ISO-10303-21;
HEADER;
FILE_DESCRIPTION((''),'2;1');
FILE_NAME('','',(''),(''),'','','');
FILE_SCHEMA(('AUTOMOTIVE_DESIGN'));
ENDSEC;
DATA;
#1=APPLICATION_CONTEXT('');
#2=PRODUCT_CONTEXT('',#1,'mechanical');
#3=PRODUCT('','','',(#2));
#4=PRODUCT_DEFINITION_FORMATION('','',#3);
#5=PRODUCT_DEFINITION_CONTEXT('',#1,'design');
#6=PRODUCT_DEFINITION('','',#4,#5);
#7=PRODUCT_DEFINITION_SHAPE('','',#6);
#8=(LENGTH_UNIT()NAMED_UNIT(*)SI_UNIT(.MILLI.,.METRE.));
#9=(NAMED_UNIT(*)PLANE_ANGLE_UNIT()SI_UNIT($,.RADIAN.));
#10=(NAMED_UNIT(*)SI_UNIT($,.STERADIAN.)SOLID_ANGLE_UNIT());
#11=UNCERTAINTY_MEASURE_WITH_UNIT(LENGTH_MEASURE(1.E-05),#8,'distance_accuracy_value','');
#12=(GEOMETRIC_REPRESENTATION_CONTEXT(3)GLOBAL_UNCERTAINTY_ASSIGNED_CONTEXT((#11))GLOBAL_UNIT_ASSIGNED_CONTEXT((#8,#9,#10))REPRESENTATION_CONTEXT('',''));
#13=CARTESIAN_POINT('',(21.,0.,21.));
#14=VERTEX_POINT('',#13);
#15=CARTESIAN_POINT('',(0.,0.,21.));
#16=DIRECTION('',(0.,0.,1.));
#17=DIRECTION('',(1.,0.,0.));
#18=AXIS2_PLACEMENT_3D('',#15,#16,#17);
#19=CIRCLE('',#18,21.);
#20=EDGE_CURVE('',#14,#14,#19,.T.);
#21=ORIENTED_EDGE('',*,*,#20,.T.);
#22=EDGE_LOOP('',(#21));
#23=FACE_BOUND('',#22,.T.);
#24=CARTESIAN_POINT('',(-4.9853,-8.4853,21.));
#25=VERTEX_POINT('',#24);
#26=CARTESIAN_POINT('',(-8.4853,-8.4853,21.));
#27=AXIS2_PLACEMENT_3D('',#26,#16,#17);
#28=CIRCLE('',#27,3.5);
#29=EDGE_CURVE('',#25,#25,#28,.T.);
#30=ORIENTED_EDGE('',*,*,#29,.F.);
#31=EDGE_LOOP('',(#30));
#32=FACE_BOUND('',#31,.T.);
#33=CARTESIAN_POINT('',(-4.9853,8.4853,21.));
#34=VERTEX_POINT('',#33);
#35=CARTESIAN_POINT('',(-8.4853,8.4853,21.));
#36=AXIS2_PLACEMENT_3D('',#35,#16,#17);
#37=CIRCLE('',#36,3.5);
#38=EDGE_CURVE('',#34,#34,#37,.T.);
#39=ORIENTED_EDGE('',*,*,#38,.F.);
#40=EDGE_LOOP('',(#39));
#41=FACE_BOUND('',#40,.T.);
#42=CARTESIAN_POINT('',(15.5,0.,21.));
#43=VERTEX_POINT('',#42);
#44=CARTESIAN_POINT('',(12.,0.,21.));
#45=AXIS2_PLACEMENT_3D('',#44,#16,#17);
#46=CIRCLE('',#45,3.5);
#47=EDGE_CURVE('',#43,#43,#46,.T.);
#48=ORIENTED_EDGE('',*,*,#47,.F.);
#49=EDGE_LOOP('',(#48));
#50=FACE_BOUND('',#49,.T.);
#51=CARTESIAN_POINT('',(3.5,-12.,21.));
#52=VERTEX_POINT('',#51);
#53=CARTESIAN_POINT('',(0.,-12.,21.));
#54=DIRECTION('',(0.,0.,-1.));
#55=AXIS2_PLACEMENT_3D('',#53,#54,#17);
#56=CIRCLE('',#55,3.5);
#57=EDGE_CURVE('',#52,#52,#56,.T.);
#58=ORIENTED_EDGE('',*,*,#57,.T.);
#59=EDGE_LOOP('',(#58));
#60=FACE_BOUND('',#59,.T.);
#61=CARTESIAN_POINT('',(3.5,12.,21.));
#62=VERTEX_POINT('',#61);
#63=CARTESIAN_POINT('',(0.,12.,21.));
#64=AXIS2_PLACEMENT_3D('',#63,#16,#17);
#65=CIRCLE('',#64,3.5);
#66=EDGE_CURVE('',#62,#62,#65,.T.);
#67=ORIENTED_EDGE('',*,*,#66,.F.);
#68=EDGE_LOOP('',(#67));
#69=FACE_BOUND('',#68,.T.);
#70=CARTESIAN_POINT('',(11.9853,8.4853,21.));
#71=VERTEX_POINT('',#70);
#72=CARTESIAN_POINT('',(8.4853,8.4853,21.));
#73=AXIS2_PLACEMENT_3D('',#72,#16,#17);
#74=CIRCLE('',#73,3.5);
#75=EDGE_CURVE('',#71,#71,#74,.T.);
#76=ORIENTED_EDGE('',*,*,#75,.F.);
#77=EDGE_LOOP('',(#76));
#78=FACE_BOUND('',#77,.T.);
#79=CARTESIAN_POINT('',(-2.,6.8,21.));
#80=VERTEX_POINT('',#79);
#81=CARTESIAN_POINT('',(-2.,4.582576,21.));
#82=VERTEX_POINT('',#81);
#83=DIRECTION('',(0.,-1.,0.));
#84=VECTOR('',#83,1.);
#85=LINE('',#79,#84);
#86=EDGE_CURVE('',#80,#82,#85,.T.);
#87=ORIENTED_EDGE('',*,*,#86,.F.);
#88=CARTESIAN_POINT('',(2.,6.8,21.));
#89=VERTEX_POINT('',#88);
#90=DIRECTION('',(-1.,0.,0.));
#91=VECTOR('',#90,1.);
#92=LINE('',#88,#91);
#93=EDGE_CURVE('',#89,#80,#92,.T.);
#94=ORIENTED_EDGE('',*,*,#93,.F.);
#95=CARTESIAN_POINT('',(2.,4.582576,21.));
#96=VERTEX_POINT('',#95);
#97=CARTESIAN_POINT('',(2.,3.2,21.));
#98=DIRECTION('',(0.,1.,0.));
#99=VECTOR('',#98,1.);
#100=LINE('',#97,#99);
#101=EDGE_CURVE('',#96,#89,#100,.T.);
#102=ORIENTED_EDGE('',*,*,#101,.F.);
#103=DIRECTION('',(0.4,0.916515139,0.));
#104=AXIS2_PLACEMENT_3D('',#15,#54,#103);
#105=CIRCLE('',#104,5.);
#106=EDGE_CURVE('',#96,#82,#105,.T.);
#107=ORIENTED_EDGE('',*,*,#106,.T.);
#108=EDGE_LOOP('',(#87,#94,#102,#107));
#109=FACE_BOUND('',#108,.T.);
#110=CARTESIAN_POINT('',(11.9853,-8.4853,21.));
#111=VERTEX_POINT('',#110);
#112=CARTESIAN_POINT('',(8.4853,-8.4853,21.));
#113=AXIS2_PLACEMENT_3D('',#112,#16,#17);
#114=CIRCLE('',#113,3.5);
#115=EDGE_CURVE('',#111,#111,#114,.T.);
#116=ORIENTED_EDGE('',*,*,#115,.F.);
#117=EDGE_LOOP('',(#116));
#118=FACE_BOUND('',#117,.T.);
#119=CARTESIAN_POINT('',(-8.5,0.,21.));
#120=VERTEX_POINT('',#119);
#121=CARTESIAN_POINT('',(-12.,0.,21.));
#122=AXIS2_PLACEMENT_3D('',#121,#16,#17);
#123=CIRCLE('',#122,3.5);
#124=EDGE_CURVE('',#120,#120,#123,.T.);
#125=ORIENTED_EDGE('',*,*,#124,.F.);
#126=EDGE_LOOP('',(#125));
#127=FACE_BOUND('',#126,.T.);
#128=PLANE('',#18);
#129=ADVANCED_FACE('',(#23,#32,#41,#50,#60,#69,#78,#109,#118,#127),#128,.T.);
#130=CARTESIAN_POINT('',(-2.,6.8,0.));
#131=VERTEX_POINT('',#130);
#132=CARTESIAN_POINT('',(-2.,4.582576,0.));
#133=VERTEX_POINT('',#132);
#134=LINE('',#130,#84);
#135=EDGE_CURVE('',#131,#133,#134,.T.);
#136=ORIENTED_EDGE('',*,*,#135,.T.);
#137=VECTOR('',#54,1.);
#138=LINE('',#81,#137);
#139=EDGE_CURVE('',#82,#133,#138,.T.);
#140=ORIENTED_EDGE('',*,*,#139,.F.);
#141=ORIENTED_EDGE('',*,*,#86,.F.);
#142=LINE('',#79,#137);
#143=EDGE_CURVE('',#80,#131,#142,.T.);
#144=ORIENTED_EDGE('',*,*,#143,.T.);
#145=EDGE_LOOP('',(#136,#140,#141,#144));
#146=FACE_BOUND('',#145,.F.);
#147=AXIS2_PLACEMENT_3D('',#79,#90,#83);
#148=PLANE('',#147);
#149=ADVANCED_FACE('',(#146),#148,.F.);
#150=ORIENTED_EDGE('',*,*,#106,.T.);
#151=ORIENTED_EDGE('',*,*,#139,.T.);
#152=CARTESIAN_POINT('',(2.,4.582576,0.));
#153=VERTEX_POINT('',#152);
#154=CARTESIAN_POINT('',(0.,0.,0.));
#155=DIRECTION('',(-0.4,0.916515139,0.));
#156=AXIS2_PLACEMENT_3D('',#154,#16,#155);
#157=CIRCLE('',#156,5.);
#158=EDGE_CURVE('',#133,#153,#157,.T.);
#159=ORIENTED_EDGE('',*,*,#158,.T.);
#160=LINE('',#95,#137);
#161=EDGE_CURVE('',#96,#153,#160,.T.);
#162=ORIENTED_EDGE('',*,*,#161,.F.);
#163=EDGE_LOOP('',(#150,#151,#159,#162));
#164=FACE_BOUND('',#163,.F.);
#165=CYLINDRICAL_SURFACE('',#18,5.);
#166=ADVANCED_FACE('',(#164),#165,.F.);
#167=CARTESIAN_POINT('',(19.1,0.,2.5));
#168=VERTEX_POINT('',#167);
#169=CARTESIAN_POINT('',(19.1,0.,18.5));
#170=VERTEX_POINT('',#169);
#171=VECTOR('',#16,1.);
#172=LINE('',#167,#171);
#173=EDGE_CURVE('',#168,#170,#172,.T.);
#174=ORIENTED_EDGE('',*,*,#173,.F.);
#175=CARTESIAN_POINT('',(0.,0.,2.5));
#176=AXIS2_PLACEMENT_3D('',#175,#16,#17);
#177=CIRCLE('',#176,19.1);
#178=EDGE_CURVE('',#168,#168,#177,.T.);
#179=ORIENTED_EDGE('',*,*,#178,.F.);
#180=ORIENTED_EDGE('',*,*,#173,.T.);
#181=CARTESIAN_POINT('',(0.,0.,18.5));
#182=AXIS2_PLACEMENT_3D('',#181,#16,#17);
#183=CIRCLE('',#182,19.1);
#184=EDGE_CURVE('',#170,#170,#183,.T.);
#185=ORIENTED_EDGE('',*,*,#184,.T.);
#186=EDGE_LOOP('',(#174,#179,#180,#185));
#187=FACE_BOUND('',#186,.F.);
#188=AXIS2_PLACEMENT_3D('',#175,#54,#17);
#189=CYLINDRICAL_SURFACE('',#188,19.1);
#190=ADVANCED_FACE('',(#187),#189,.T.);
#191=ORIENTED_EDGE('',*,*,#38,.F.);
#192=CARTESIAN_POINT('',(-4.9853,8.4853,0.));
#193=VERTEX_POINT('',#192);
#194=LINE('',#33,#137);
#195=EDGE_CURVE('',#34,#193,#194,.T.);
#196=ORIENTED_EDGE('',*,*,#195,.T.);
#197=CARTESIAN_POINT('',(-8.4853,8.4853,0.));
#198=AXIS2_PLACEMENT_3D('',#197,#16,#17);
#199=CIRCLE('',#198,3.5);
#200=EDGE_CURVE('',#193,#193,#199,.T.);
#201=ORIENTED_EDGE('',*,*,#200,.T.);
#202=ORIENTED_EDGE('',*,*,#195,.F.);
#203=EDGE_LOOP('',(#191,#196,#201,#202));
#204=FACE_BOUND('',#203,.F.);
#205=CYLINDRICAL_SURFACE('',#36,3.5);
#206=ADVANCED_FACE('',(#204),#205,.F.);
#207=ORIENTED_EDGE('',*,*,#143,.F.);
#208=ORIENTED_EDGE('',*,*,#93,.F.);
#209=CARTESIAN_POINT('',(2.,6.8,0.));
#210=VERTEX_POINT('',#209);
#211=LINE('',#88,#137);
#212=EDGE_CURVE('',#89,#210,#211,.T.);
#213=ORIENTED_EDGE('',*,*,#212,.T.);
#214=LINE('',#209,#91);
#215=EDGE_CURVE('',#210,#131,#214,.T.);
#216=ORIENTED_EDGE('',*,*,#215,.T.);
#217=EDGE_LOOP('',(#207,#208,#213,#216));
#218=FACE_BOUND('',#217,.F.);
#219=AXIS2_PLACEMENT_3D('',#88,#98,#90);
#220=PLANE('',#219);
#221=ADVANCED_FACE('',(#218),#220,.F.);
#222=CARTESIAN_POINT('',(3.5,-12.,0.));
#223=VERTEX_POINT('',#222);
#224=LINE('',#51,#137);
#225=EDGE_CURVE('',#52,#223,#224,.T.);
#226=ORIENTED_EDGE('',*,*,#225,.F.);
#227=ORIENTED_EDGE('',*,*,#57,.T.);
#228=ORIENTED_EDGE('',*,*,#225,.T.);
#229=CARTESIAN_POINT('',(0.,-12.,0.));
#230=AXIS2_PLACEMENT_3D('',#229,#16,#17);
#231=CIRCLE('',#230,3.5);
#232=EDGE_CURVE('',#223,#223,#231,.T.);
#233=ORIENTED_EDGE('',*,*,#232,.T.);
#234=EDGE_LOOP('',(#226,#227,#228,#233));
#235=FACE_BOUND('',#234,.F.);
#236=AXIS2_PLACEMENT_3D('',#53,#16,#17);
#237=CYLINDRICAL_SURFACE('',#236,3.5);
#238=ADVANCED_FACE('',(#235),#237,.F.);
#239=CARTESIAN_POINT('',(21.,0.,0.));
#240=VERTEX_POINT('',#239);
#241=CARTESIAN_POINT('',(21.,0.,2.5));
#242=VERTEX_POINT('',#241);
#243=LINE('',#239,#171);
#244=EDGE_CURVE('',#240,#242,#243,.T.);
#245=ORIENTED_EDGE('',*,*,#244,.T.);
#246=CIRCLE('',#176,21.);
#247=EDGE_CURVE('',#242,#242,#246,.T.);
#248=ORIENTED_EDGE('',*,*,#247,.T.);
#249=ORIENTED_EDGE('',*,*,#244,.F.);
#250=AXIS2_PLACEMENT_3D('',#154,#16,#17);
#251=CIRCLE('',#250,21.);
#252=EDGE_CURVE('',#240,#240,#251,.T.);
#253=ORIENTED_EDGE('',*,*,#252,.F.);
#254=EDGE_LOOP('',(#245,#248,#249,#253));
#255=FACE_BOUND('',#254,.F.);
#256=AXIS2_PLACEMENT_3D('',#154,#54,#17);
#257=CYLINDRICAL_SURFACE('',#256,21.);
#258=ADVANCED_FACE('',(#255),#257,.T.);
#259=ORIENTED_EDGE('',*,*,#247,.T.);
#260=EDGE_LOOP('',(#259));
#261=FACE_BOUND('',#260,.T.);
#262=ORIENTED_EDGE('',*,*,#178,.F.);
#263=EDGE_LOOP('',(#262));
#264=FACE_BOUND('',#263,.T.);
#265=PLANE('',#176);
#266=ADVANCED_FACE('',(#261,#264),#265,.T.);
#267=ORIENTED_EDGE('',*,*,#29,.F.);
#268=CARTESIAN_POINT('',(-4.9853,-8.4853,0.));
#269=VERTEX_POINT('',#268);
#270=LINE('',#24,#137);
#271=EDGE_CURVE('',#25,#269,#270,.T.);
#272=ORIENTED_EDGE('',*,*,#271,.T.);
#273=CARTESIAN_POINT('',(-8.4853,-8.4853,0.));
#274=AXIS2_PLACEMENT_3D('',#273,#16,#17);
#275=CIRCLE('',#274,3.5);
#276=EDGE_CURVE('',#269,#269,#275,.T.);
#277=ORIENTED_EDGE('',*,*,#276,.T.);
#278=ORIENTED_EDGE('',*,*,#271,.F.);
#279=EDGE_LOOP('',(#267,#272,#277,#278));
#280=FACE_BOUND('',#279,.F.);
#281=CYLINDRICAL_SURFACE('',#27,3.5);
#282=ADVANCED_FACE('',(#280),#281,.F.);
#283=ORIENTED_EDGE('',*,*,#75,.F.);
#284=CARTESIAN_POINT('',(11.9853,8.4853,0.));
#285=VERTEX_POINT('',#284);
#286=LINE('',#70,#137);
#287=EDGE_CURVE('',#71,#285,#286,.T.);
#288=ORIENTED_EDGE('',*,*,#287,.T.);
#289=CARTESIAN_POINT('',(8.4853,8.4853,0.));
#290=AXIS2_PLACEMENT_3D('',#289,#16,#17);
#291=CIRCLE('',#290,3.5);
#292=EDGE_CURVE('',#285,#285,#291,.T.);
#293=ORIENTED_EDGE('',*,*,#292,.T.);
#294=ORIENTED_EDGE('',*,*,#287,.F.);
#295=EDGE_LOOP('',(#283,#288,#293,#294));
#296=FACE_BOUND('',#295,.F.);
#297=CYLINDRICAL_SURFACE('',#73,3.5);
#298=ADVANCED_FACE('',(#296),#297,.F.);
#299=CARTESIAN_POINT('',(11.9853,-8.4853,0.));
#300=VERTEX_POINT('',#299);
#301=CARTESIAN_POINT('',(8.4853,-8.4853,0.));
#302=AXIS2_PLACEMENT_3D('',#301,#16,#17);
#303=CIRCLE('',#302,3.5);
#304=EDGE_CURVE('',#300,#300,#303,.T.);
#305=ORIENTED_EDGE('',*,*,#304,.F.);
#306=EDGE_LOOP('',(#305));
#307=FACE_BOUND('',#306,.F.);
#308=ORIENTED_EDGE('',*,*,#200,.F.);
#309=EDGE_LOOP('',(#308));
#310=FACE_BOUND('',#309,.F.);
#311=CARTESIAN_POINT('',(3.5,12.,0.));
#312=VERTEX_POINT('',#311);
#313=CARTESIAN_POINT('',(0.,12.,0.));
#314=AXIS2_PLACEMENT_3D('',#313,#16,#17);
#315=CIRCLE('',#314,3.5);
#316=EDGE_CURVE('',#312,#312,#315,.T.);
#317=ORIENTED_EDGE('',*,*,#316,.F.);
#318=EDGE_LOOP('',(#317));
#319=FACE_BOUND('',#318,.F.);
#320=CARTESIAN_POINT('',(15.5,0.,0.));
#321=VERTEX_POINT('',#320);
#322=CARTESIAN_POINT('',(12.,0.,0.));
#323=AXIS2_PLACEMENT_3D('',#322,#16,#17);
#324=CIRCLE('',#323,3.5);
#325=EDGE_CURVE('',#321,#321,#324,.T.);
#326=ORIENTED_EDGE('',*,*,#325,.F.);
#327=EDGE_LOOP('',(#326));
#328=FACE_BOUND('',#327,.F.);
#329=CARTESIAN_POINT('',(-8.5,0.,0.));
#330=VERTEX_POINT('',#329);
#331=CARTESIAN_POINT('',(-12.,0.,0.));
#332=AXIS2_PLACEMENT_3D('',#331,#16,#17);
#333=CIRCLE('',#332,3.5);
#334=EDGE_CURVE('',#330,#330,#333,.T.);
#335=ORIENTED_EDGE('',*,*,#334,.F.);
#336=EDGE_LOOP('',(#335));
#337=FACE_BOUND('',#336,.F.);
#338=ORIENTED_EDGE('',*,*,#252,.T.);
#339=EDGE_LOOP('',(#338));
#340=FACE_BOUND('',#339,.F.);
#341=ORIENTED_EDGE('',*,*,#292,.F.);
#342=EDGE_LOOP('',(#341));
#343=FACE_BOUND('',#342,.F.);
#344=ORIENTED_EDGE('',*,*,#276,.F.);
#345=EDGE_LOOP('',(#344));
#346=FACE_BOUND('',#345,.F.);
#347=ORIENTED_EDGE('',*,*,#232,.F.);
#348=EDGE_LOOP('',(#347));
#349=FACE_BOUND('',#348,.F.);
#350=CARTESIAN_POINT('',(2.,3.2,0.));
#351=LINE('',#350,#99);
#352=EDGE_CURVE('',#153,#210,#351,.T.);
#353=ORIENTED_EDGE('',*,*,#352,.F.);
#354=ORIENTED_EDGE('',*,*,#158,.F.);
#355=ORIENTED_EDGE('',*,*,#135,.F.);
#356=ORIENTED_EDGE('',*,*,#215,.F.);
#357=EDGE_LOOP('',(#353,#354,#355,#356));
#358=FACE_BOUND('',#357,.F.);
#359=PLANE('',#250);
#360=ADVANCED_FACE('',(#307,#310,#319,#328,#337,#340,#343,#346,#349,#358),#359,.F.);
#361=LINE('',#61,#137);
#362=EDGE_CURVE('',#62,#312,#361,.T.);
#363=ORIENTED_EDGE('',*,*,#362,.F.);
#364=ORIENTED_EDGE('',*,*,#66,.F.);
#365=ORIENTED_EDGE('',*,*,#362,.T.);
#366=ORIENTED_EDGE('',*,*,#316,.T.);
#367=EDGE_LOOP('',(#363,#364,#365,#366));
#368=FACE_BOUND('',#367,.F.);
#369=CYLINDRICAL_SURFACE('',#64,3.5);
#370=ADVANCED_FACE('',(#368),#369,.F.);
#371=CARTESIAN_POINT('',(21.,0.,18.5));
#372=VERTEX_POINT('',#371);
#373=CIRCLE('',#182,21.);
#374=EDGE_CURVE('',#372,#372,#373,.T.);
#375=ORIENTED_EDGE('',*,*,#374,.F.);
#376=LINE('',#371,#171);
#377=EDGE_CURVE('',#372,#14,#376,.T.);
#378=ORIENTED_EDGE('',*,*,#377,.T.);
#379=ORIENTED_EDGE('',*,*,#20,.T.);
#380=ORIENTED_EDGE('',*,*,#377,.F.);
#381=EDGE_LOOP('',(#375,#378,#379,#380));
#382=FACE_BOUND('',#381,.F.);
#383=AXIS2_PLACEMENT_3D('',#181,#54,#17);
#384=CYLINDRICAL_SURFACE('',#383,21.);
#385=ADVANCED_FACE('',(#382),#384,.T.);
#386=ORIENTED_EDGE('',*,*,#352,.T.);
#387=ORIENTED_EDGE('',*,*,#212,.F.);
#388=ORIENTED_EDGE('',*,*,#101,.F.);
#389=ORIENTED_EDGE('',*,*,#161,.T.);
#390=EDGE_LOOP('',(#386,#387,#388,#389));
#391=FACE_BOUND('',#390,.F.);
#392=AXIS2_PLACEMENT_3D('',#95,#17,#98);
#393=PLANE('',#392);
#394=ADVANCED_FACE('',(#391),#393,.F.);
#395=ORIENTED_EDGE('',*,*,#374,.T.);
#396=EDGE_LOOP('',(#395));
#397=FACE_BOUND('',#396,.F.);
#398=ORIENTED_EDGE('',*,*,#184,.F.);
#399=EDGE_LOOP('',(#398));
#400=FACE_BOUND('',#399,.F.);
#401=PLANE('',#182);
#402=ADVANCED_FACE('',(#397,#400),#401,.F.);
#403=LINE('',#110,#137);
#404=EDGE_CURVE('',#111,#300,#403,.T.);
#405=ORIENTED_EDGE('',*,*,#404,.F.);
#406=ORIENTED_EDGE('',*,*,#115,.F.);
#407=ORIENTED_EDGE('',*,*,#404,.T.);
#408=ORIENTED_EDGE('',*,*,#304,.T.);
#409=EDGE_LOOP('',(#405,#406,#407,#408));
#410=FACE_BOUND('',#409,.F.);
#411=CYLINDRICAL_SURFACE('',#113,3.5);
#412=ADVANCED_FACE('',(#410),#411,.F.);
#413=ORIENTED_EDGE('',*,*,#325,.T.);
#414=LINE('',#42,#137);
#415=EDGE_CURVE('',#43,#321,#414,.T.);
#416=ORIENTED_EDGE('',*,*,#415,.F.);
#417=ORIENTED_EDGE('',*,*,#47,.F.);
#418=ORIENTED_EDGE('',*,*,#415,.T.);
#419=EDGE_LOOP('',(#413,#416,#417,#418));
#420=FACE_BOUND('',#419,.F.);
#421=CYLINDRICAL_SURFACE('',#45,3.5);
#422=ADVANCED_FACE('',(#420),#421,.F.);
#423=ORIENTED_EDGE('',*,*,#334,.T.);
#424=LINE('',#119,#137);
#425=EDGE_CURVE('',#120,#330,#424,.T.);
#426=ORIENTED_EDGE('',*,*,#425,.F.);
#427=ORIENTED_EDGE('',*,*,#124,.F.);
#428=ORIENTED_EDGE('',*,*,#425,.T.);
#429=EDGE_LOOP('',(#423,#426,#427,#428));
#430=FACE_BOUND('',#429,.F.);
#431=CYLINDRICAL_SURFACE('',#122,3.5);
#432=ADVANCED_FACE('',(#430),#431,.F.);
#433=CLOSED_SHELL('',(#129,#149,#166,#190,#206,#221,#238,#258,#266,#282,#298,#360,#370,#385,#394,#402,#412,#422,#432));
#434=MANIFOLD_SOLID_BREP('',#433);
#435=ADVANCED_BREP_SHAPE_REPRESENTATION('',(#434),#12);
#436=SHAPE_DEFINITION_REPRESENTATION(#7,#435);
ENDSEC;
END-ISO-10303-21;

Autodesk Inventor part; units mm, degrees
ref_plane "YZ Plane" through (0, 0, 0) normal (1, 0, 0) x (0, 1, 0)
ref_plane "XZ Plane" through (0, 0, 0) normal (0, 1, 0) x (-1, 0, 0)
ref_plane "XY Plane" through (0, 0, 0) normal (0, 0, 1) x (1, 0, 0)
sketch "Sketch1" plane through (0, 0, 0) normal (0, 0, 1) x (1, 0, 0)
  circle A0 centre (0, 0) radius 21
  dimension "d0" = 42
extrude "Extrusion1" add sketch "Sketch1" along normal blind 2.5
sketch "Sketch2" plane through (0, 0, 2.5) normal (0, 0, 1) x (1, 0, 0)
  circle A0 centre (0, 0) radius 19.1
  dimension "d3" = 38.2
extrude "Extrusion2" add sketch "Sketch2" along normal blind 16
sketch "Sketch3" plane through (0, 0, 18.5) normal (0, 0, 1) x (1, 0, 0)
  circle A0 centre (0, 0) radius 21
  dimension "d6" = 42
extrude "Extrusion3" add sketch "Sketch3" along normal blind 2.5
sketch "Sketch4" plane through (0, 0, 21) normal (0, 0, 1) x (1, 0, 0)
  circle A0 centre (0, 0) radius 5
  line L0 (-2, 3.2) -> (2, 3.2)
  line L1 (2, 3.2) -> (2, 6.8)
  line L2 (2, 6.8) -> (-2, 6.8)
  line L3 (-2, 6.8) -> (-2, 3.2)
  line L4 (-2, 3.2) -> (2, 6.8) construction
  line L5 (2, 3.2) -> (-2, 6.8) construction
  point P0 (0, 5)
  dimension "d9" = 10
  dimension "d10" = 4
  dimension "d11" = 3.6
extrude "Extrusion4" cut sketch "Sketch4" against normal blind 21
sketch "Sketch5" plane through (0, 0, 21) normal (0, 0, 1) x (1, 0, 0)
  circle A0 centre (0, -12) radius 3.5
  arc A1 (-2, 4.5826) -> (2, 4.5826) centre (0, 0) ccw projected
  line L0 (0, 0) -> (0, -12)
  line L1 (0, 0) -> (12, 0) construction
  circle A2 centre (8.4853, -8.4853) radius 3.5
  circle A3 centre (12, 0) radius 3.5
  circle A4 centre (8.4853, 8.4853) radius 3.5
  circle A5 centre (0, 12) radius 3.5
  circle A6 centre (-8.4853, 8.4853) radius 3.5
  circle A7 centre (-12, 0) radius 3.5
  circle A8 centre (-8.4853, -8.4853) radius 3.5
  dimension "d14" = 7
  dimension "d15" = 12
  dimension "d16" = 90
  dimension "d19" = 360
extrude "Extrusion5" cut sketch "Sketch5" against normal blind 21
properties part number "24 Teeth HTD5M Pulley Steel" material "Stainless Steel"
